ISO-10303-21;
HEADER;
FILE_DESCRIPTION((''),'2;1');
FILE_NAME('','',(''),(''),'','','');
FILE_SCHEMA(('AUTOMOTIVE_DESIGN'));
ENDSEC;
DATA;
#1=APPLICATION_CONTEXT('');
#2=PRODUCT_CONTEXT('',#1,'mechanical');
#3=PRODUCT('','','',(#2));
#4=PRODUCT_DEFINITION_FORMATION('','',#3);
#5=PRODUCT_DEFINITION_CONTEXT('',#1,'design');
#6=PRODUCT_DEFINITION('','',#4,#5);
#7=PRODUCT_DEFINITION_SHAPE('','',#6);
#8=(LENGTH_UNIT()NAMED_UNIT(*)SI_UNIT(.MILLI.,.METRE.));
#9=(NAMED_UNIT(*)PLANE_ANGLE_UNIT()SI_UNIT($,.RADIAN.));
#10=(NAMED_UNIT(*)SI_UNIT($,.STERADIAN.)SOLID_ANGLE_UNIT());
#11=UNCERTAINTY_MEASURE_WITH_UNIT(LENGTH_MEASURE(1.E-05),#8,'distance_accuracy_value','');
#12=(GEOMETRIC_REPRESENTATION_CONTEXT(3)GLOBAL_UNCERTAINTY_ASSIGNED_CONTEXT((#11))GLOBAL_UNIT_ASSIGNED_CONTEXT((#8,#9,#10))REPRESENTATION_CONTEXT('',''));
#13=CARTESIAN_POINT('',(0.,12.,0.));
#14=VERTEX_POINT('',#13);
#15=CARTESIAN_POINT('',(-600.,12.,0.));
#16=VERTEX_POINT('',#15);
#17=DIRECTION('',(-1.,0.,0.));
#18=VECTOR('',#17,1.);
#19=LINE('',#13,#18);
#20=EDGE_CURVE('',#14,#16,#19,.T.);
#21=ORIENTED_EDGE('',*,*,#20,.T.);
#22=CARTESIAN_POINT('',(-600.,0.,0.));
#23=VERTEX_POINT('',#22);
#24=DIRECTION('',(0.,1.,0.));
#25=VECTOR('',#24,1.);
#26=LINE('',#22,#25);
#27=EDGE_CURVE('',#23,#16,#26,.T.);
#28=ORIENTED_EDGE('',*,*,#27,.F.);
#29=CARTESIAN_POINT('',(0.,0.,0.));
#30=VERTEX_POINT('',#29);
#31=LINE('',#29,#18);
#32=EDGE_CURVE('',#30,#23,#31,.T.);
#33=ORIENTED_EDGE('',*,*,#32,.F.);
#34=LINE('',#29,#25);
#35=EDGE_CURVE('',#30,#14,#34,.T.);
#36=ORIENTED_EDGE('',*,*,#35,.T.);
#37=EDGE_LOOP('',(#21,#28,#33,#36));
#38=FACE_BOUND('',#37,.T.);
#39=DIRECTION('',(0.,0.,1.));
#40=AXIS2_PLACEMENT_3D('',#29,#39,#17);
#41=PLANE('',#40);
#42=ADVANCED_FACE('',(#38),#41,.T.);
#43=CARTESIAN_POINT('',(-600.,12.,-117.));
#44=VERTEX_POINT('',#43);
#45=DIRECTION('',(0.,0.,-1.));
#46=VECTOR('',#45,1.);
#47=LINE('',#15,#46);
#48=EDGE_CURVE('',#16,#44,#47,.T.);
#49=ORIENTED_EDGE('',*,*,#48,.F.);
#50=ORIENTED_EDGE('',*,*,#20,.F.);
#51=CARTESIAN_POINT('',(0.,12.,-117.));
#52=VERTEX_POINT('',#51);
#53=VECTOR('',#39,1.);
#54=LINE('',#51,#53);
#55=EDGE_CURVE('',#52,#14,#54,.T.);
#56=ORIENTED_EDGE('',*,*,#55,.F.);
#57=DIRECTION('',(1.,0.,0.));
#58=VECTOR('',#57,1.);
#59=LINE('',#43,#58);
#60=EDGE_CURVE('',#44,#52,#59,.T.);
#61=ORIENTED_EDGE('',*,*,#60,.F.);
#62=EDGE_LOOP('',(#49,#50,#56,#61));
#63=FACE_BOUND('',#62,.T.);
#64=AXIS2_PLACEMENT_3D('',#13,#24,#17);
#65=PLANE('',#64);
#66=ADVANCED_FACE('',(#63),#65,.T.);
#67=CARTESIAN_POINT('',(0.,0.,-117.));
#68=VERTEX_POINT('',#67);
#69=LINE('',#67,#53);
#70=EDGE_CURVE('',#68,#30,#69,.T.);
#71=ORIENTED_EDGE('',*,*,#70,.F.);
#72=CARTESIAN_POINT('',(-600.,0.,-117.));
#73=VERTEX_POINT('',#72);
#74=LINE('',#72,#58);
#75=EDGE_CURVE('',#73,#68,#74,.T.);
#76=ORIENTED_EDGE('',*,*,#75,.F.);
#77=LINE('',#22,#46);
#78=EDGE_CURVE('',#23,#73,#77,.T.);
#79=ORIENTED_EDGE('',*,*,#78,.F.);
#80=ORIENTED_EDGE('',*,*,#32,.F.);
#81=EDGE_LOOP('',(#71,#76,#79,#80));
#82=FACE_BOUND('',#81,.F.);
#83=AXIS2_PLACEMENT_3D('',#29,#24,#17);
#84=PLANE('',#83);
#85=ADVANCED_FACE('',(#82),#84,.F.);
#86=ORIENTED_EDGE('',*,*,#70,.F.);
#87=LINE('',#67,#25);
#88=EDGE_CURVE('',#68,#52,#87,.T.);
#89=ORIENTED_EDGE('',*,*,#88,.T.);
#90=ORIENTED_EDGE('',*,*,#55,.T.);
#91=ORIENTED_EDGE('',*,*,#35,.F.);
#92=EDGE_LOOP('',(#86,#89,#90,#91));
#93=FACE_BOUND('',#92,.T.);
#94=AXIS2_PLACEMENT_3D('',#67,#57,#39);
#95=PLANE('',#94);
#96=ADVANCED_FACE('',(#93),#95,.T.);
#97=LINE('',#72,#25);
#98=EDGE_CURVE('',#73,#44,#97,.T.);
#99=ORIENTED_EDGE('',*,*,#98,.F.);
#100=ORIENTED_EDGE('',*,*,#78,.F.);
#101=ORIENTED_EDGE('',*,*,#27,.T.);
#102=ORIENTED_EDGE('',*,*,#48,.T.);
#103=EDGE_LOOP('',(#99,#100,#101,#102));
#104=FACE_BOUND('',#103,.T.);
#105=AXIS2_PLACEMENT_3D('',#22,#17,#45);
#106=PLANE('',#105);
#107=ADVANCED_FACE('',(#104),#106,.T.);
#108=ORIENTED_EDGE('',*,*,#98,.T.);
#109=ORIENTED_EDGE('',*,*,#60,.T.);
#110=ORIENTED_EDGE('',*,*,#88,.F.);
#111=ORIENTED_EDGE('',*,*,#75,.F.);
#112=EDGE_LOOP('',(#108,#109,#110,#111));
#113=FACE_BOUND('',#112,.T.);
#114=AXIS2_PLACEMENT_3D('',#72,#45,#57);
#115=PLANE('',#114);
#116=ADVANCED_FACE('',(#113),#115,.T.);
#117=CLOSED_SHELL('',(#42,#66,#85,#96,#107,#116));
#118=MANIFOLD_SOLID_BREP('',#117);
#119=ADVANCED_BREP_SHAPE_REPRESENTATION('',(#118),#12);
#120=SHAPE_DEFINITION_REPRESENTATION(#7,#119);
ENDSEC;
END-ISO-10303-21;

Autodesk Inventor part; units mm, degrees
ref_plane "YZ Plane" through (0, 0, 0) normal (1, 0, 0) x (0, 1, 0)
ref_plane "XZ Plane" through (0, 0, 0) normal (0, 1, 0) x (-1, 0, 0)
ref_plane "XY Plane" through (0, 0, 0) normal (0, 0, 1) x (1, 0, 0)
sketch "Эскиз1" plane through (0, 0, 0) normal (0, 1, 0) x (-1, 0, 0)
  line L0 (0, 0) -> (600, 0)
  line L1 (600, 0) -> (600, -117)
  line L2 (600, -117) -> (0, -117)
  line L3 (0, -117) -> (0, 0)
  dimension "d0" = 600
  dimension "d1" = 117
extrude "Выдавливание1" add sketch "Эскиз1" along normal blind 12
properties part number "Top"
